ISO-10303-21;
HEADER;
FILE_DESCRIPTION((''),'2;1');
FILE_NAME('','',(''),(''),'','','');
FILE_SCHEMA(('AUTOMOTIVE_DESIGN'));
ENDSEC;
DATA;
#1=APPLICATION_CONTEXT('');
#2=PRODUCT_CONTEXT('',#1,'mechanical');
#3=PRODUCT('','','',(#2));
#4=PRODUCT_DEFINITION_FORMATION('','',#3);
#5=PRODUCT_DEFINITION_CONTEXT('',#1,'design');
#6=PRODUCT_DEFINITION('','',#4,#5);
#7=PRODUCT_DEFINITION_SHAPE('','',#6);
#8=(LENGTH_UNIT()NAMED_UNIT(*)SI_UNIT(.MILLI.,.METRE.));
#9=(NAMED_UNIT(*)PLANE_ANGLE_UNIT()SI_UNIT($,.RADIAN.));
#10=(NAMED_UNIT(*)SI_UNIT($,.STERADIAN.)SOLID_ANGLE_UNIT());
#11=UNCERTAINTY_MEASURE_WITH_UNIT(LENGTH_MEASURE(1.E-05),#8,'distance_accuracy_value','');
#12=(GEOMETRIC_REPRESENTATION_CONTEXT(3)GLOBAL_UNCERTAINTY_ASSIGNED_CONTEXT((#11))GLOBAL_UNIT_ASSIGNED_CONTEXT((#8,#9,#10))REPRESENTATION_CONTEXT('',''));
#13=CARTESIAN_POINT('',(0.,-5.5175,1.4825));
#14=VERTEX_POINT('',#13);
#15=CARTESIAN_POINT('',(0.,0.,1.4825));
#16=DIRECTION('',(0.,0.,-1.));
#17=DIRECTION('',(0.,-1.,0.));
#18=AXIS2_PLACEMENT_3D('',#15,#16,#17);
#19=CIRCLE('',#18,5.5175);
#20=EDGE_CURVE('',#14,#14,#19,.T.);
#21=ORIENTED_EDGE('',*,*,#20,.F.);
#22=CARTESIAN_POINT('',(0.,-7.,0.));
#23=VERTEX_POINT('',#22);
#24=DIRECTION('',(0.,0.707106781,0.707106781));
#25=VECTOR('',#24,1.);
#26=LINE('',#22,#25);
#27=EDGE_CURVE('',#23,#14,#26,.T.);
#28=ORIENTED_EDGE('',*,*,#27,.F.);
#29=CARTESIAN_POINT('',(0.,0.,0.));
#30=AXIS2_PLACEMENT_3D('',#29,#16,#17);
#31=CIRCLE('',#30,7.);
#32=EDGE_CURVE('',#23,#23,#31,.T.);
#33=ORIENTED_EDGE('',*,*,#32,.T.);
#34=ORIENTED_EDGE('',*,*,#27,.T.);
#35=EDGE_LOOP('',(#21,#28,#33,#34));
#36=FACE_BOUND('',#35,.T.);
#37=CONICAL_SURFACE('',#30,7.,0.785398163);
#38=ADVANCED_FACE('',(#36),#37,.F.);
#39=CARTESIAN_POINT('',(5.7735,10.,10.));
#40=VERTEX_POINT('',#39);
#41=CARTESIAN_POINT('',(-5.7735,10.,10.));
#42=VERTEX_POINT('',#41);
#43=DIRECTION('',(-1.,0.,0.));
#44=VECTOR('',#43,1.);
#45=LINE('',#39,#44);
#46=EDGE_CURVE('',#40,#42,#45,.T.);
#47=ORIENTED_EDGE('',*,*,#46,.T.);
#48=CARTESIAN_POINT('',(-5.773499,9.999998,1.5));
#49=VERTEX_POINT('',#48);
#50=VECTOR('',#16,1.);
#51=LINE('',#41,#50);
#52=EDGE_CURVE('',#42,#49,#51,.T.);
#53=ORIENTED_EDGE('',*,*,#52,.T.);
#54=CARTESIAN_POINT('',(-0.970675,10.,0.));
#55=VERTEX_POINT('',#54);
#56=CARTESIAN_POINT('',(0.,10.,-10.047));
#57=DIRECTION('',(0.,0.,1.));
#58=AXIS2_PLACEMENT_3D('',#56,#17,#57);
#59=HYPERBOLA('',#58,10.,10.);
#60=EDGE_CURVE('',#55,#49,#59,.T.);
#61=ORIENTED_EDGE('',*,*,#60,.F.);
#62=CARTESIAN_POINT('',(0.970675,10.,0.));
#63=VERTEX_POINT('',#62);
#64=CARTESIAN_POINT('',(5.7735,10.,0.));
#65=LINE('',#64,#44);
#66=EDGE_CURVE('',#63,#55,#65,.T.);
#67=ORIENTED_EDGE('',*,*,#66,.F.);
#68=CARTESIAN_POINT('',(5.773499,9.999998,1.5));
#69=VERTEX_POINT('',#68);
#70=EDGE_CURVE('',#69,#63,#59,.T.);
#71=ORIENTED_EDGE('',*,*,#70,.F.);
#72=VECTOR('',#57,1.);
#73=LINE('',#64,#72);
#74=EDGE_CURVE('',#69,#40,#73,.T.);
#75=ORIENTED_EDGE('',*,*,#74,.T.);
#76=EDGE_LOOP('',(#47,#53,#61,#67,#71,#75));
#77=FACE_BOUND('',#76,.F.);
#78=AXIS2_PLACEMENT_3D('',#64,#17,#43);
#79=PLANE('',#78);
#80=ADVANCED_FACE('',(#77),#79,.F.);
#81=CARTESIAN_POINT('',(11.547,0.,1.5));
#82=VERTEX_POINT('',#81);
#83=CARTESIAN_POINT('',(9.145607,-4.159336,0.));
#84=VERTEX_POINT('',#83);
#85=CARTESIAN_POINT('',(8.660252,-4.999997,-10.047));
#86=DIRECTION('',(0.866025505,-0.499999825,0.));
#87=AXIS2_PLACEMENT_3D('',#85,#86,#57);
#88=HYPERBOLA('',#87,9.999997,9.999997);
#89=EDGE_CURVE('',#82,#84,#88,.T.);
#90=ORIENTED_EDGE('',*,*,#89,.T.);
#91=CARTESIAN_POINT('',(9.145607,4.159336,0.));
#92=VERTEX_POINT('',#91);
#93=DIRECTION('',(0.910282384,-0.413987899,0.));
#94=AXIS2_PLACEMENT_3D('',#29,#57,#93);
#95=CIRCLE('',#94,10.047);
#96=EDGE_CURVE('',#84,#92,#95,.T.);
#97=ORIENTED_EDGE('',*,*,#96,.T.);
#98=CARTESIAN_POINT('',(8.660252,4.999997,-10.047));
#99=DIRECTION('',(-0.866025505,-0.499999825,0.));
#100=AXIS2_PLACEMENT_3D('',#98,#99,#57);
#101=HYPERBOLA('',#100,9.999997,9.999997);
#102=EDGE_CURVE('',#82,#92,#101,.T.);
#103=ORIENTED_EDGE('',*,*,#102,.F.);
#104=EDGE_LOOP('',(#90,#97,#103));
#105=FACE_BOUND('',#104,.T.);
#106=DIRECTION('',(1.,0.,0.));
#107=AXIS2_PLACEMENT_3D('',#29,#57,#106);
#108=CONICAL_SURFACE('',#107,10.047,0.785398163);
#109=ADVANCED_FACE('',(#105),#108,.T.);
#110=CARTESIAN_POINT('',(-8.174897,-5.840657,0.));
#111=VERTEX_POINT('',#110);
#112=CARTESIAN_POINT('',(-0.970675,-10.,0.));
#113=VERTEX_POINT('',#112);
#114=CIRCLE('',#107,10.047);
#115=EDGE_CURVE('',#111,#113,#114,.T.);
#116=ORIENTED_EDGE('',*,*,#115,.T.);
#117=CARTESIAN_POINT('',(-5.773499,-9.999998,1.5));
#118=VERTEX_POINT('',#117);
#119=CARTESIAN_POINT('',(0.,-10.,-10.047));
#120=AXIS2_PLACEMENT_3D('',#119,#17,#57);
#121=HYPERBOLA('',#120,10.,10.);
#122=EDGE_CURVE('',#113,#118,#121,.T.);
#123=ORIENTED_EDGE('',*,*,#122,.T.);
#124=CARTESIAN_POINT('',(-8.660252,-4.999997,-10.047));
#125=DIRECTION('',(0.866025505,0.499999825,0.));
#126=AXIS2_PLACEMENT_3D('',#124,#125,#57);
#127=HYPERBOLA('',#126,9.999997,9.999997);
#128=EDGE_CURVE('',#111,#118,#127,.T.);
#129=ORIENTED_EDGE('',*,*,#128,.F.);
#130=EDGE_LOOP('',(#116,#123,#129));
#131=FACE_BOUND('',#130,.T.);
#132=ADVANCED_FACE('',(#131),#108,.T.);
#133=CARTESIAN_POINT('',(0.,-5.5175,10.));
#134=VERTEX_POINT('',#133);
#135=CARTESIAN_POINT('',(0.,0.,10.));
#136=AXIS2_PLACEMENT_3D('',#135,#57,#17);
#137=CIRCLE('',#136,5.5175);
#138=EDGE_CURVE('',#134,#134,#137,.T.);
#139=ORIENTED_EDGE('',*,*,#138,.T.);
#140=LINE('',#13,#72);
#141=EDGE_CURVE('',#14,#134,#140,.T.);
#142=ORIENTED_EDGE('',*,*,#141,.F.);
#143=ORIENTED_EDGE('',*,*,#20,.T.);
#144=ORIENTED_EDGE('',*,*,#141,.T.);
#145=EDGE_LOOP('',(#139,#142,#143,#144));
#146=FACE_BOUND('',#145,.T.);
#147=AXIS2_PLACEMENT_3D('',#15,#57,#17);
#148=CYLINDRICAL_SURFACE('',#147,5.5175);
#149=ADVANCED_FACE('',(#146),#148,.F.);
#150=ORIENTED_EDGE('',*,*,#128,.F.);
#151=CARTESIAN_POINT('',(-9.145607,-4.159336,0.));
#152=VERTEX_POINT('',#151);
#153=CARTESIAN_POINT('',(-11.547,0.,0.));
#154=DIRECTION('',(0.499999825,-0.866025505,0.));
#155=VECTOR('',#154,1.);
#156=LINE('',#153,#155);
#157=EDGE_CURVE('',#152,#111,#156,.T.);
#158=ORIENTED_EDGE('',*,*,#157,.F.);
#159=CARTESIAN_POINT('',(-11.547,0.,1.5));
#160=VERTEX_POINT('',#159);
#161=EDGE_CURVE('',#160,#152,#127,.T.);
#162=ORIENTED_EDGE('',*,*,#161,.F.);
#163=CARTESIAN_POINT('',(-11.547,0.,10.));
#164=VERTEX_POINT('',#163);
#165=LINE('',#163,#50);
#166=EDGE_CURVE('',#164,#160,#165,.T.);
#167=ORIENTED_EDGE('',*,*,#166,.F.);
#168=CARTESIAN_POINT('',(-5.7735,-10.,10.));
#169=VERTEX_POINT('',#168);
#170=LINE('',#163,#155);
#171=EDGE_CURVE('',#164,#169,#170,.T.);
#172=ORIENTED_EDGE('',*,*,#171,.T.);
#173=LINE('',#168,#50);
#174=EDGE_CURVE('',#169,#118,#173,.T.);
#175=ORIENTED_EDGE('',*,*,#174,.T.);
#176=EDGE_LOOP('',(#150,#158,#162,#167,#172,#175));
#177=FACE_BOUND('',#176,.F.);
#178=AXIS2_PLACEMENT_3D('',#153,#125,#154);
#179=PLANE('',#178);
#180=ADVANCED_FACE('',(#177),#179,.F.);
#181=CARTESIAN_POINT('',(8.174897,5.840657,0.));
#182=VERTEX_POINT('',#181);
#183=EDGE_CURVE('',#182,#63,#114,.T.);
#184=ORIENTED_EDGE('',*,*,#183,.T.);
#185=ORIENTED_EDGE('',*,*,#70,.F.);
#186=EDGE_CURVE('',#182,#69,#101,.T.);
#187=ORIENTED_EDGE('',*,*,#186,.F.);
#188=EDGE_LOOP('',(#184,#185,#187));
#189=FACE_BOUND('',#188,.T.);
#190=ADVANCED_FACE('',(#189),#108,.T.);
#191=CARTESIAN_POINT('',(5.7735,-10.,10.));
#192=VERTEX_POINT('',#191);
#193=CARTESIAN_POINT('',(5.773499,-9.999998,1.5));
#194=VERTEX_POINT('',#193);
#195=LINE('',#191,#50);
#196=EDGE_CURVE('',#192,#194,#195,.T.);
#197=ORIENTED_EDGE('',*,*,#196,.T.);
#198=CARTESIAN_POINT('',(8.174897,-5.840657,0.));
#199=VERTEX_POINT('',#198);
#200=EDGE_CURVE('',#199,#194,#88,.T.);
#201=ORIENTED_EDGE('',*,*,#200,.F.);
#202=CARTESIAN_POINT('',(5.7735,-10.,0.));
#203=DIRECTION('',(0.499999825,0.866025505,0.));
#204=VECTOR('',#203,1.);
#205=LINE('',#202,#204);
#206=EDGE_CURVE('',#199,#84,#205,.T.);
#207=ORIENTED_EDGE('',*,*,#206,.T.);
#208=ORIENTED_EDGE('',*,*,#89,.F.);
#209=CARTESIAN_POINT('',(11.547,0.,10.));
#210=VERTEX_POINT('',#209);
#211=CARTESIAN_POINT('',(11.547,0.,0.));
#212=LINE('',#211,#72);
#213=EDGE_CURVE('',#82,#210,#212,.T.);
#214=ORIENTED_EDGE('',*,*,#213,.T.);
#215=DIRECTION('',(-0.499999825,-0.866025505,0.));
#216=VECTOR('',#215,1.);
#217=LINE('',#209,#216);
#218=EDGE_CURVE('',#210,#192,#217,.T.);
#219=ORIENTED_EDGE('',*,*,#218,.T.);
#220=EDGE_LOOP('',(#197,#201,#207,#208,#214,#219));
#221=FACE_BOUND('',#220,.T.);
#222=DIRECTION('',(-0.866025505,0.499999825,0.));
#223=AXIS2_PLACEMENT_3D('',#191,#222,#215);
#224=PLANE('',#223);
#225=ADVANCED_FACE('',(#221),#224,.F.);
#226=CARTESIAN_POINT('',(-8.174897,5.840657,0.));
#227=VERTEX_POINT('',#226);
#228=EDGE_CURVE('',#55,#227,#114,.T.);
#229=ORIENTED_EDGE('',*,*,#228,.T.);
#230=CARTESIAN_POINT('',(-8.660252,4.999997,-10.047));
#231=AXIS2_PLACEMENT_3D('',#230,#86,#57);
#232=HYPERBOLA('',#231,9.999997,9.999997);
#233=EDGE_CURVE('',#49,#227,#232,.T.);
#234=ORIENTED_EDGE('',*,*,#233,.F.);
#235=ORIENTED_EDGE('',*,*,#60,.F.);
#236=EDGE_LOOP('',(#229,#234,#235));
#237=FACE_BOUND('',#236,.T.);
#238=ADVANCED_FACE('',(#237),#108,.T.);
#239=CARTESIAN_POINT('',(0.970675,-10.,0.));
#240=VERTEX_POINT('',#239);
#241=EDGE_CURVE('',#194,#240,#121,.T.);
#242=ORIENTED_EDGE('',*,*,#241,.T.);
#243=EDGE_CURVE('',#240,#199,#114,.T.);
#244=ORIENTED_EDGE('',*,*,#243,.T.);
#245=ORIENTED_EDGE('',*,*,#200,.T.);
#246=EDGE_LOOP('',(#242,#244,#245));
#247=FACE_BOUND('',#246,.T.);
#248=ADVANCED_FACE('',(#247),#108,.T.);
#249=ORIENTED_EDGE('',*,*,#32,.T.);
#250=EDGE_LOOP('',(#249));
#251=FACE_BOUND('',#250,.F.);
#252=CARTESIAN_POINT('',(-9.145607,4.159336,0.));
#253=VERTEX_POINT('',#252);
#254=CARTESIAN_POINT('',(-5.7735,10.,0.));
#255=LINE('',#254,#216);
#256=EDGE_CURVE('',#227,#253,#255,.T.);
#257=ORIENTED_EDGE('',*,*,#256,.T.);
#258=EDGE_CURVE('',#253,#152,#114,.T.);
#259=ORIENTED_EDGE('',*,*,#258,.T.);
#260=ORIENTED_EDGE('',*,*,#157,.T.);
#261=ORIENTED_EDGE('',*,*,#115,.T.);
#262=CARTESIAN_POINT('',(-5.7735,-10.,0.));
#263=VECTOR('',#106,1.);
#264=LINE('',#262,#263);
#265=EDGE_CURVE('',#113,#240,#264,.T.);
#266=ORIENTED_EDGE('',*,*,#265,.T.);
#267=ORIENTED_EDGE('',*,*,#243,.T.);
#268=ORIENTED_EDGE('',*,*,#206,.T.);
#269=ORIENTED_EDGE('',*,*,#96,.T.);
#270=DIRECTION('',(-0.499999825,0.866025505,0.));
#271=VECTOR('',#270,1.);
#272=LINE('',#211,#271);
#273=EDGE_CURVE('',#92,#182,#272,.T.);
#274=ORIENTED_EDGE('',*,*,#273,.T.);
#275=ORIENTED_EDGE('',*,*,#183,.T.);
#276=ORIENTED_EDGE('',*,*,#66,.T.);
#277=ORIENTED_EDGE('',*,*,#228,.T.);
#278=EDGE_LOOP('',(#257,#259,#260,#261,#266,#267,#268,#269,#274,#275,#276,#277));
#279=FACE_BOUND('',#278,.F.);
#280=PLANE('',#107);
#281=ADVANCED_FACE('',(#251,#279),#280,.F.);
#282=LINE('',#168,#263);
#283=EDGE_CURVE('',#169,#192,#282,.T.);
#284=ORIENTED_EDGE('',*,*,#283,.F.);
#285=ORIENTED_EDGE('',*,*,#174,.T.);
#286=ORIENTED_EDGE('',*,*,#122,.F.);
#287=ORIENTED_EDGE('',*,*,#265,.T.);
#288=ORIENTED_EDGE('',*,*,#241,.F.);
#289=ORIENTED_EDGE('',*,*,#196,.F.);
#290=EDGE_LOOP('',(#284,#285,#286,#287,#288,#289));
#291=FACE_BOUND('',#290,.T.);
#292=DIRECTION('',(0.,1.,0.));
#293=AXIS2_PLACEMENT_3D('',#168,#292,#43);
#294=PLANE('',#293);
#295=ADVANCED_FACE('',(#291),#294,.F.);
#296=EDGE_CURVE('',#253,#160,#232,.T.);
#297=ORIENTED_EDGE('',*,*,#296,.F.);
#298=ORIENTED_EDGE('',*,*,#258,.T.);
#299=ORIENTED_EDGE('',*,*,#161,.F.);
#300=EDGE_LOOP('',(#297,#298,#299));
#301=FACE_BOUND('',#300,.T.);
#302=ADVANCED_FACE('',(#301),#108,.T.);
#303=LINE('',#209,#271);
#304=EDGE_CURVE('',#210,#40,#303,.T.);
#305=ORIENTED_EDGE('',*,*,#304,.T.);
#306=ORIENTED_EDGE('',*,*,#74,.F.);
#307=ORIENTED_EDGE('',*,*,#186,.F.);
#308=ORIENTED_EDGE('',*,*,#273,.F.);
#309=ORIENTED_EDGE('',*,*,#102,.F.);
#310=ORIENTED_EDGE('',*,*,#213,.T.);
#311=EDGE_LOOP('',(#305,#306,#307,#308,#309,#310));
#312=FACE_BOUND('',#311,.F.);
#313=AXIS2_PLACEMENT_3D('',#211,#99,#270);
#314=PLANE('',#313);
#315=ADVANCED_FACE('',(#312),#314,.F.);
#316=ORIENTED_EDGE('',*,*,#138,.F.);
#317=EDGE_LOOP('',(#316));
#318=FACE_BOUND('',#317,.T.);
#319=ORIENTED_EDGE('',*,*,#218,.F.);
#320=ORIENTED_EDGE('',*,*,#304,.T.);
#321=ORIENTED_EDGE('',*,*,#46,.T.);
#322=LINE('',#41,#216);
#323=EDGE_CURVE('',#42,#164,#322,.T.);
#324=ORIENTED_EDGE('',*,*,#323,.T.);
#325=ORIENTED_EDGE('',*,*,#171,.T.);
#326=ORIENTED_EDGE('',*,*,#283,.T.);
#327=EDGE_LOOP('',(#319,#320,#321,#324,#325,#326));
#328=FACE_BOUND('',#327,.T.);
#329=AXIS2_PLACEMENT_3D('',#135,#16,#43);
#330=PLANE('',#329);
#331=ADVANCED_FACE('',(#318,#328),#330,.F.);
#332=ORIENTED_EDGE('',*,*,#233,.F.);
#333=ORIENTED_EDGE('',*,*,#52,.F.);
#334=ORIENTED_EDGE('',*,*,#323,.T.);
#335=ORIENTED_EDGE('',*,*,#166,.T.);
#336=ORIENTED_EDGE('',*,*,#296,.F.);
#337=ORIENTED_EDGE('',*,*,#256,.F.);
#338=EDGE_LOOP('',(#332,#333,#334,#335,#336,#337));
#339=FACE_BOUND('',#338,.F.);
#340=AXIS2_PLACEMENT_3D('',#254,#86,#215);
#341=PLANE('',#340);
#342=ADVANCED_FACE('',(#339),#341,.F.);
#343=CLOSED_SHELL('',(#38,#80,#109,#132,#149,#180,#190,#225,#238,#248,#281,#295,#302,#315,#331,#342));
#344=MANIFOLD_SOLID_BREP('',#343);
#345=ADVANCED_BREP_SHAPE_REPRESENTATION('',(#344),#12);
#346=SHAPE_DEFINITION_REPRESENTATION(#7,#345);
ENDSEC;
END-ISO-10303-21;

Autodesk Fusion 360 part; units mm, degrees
sketch "Sketch1" plane through (0, 0, 0) normal (0, 0, 1) x (1, 0, 0) in component "nut"
  line L0 (11.547, 0) -> (5.7735, 10)
  line L1 (5.7735, 10) -> (-5.7735, 10)
  line L2 (-5.7735, 10) -> (-11.547, 0)
  line L3 (-11.547, 0) -> (-5.7735, -10)
  line L4 (-5.7735, -10) -> (5.7735, -10)
  line L5 (5.7735, -10) -> (11.547, 0)
  dimension "d1" = 10
extrude "Extrude1" add sketch "Sketch1" along normal blind 10 in component "nut"
sketch "Sketch2" plane through (0, 0, 0) normal (0, 1, 0) x (1, 0, 0) in component "nut"
  line L0 (11.547, -10) -> (10.047, -10)
  line L1 (10.047, -10) -> (11.547, -8.5)
  line L2 (11.547, -8.5) -> (11.547, -10)
  point P0 (11.547, -10)
  dimension "d4" = 1.5
revolve "Revolve1" cut sketch "Sketch2" angle 360 about axis through (0, 0, 1.75) along (0, 0, 1) in component "nut"
hole "Hole1" at (0, 0, 10) direction (0, 0, -1) diameter 11.035 end through all countersink diameter 14 countersink angle 90 in component "nut"
ref_plane "WorkPlane1" through (0, 0, 5) normal (0, 0, 1) x (1, 0, 0) in component "nut"
mirror "Mirror1" about plane through (0, 0, 5) normal (0, 0, 1) of "Extrude1", "Revolve1", "Hole1" in component "nut"
component "nut" placed x (1, 0, 0) y (0, 1, 0) z (0, 0, 1) at (0, 0, 0)
